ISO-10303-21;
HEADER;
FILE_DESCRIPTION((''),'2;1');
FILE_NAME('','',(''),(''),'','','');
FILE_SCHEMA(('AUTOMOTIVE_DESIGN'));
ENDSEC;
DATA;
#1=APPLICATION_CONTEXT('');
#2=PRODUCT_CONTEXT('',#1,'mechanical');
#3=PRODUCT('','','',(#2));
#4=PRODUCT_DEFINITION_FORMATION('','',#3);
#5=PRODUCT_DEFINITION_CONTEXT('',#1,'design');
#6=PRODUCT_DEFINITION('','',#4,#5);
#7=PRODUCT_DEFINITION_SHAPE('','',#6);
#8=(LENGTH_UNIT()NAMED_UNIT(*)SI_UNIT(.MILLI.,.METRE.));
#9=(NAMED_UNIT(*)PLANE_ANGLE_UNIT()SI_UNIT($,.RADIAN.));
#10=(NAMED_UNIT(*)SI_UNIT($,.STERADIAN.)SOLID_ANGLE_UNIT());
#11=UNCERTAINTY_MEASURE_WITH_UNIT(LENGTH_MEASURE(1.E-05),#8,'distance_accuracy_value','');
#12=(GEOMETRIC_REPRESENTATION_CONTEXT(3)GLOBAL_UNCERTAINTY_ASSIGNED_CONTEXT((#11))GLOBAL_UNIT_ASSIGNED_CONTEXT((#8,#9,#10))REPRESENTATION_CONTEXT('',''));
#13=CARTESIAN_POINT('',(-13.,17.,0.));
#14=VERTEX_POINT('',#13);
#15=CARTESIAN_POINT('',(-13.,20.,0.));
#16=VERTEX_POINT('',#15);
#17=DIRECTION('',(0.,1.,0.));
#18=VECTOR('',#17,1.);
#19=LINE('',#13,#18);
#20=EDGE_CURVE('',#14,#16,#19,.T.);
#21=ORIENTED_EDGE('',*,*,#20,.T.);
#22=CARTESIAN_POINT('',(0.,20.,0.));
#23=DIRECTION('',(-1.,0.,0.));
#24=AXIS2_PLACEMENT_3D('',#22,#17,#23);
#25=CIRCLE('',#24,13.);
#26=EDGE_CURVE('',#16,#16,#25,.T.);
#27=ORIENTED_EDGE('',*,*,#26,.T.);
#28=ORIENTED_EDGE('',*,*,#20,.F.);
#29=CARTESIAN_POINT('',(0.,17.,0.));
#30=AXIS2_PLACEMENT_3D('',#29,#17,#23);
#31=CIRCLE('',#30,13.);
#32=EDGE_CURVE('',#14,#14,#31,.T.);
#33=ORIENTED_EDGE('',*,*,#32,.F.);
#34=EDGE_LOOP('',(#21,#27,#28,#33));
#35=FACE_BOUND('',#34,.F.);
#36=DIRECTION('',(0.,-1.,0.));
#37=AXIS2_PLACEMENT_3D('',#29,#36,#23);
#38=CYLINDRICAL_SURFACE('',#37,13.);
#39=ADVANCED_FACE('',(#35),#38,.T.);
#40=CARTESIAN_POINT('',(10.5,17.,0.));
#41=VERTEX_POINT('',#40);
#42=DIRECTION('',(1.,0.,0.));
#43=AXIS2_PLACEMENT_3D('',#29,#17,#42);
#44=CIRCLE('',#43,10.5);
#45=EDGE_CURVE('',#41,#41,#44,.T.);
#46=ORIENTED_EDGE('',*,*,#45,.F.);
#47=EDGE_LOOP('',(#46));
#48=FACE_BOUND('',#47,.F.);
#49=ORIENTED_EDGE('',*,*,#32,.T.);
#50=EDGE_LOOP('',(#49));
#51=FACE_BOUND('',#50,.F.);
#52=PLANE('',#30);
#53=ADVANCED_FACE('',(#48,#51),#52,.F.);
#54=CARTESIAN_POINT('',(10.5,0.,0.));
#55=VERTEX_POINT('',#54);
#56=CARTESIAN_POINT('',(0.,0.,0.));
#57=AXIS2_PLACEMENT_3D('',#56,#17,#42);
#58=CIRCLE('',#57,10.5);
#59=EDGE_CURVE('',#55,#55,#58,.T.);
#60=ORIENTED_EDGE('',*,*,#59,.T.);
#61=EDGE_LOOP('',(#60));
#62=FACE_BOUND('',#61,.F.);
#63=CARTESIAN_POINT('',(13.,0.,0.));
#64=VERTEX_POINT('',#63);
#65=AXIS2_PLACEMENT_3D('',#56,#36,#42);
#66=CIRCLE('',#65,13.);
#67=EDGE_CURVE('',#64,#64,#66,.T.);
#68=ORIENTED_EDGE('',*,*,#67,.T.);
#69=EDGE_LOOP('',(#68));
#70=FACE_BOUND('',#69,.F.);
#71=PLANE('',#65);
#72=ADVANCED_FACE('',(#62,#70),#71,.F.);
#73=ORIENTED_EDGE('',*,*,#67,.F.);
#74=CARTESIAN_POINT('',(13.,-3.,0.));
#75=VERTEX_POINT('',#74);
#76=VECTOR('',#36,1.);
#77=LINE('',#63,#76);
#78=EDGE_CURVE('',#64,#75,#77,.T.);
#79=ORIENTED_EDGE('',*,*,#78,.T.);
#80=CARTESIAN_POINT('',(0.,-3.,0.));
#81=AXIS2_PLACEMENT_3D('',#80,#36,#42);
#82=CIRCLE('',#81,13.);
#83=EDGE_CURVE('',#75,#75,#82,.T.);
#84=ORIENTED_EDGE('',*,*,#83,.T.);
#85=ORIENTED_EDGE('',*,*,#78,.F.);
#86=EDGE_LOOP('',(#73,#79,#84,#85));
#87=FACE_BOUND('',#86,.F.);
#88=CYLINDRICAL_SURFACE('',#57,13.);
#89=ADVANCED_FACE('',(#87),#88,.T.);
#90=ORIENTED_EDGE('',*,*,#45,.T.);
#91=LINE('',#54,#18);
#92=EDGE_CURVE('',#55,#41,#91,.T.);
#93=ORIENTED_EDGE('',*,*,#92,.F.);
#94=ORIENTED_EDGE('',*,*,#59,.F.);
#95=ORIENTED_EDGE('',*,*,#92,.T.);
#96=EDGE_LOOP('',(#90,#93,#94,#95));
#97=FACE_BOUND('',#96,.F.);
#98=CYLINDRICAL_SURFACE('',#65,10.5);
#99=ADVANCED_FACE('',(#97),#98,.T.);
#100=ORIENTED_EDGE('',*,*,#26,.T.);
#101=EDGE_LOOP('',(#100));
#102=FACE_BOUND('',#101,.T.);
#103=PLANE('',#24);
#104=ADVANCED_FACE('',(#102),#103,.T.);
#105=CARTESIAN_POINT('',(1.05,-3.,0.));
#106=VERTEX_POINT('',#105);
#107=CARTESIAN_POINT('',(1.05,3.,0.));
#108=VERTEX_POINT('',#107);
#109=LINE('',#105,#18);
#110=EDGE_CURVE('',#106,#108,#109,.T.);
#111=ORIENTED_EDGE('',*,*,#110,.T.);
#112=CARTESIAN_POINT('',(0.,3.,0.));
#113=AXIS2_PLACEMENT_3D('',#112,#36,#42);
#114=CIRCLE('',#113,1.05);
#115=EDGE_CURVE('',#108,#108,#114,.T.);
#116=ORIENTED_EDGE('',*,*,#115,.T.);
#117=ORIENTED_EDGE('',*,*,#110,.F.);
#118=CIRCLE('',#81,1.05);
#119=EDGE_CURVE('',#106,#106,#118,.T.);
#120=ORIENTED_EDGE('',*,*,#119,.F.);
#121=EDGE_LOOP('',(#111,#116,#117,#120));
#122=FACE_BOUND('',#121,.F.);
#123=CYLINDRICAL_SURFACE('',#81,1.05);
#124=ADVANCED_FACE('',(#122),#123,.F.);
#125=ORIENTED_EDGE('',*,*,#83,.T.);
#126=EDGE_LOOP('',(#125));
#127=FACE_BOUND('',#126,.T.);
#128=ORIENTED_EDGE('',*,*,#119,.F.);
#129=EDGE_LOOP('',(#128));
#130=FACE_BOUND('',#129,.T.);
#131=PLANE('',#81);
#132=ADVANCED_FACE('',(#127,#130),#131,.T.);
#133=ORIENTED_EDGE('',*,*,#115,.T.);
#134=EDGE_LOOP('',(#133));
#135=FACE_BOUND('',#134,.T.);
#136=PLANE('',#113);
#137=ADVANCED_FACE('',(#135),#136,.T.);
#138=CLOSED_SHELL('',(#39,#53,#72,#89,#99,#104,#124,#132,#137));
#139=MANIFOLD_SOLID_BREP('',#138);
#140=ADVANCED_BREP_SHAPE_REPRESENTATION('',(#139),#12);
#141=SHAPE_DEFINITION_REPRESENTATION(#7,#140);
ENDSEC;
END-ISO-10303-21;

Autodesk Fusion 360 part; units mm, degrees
sketch "Sketch1" plane through (0, 0, 0) normal (0, 1, 0) x (1, 0, 0)
  circle A0 centre (0, 0) radius 10.5
  dimension "d1" = 21
extrude "Extrude1" add sketch "Sketch1" along normal blind 17
sketch "Sketch2" plane through (0, 0, 0) normal (0, -1, 0) x (1, 0, 0)
  circle A0 centre (0, 0) radius 10.5
  circle A1 centre (0, 0) radius 13
  dimension "d4" = 26
extrude "Extrude2" add sketch "Sketch2" along normal blind 3 contours A0 | A1
sketch "Sketch3" plane through (0, 17, 0) normal (0, 1, 0) x (-1, 0, 0)
  circle A0 centre (0, 0) radius 10.5
  circle A1 centre (0, 0) radius 13
  dimension "d7" = 26
extrude "Extrude3" add sketch "Sketch3" along normal blind 3 contours A0 | A1
sketch "Sketch4" plane through (0, -3, 0) normal (0, -1, 0) x (1, 0, 0)
  circle A0 centre (0, 0) radius 13
  circle A1 centre (0, 0) radius 1.05
  dimension "d10" = 2.1
extrude "Extrude4" cut sketch "Sketch4" against normal blind 6 contours A1
